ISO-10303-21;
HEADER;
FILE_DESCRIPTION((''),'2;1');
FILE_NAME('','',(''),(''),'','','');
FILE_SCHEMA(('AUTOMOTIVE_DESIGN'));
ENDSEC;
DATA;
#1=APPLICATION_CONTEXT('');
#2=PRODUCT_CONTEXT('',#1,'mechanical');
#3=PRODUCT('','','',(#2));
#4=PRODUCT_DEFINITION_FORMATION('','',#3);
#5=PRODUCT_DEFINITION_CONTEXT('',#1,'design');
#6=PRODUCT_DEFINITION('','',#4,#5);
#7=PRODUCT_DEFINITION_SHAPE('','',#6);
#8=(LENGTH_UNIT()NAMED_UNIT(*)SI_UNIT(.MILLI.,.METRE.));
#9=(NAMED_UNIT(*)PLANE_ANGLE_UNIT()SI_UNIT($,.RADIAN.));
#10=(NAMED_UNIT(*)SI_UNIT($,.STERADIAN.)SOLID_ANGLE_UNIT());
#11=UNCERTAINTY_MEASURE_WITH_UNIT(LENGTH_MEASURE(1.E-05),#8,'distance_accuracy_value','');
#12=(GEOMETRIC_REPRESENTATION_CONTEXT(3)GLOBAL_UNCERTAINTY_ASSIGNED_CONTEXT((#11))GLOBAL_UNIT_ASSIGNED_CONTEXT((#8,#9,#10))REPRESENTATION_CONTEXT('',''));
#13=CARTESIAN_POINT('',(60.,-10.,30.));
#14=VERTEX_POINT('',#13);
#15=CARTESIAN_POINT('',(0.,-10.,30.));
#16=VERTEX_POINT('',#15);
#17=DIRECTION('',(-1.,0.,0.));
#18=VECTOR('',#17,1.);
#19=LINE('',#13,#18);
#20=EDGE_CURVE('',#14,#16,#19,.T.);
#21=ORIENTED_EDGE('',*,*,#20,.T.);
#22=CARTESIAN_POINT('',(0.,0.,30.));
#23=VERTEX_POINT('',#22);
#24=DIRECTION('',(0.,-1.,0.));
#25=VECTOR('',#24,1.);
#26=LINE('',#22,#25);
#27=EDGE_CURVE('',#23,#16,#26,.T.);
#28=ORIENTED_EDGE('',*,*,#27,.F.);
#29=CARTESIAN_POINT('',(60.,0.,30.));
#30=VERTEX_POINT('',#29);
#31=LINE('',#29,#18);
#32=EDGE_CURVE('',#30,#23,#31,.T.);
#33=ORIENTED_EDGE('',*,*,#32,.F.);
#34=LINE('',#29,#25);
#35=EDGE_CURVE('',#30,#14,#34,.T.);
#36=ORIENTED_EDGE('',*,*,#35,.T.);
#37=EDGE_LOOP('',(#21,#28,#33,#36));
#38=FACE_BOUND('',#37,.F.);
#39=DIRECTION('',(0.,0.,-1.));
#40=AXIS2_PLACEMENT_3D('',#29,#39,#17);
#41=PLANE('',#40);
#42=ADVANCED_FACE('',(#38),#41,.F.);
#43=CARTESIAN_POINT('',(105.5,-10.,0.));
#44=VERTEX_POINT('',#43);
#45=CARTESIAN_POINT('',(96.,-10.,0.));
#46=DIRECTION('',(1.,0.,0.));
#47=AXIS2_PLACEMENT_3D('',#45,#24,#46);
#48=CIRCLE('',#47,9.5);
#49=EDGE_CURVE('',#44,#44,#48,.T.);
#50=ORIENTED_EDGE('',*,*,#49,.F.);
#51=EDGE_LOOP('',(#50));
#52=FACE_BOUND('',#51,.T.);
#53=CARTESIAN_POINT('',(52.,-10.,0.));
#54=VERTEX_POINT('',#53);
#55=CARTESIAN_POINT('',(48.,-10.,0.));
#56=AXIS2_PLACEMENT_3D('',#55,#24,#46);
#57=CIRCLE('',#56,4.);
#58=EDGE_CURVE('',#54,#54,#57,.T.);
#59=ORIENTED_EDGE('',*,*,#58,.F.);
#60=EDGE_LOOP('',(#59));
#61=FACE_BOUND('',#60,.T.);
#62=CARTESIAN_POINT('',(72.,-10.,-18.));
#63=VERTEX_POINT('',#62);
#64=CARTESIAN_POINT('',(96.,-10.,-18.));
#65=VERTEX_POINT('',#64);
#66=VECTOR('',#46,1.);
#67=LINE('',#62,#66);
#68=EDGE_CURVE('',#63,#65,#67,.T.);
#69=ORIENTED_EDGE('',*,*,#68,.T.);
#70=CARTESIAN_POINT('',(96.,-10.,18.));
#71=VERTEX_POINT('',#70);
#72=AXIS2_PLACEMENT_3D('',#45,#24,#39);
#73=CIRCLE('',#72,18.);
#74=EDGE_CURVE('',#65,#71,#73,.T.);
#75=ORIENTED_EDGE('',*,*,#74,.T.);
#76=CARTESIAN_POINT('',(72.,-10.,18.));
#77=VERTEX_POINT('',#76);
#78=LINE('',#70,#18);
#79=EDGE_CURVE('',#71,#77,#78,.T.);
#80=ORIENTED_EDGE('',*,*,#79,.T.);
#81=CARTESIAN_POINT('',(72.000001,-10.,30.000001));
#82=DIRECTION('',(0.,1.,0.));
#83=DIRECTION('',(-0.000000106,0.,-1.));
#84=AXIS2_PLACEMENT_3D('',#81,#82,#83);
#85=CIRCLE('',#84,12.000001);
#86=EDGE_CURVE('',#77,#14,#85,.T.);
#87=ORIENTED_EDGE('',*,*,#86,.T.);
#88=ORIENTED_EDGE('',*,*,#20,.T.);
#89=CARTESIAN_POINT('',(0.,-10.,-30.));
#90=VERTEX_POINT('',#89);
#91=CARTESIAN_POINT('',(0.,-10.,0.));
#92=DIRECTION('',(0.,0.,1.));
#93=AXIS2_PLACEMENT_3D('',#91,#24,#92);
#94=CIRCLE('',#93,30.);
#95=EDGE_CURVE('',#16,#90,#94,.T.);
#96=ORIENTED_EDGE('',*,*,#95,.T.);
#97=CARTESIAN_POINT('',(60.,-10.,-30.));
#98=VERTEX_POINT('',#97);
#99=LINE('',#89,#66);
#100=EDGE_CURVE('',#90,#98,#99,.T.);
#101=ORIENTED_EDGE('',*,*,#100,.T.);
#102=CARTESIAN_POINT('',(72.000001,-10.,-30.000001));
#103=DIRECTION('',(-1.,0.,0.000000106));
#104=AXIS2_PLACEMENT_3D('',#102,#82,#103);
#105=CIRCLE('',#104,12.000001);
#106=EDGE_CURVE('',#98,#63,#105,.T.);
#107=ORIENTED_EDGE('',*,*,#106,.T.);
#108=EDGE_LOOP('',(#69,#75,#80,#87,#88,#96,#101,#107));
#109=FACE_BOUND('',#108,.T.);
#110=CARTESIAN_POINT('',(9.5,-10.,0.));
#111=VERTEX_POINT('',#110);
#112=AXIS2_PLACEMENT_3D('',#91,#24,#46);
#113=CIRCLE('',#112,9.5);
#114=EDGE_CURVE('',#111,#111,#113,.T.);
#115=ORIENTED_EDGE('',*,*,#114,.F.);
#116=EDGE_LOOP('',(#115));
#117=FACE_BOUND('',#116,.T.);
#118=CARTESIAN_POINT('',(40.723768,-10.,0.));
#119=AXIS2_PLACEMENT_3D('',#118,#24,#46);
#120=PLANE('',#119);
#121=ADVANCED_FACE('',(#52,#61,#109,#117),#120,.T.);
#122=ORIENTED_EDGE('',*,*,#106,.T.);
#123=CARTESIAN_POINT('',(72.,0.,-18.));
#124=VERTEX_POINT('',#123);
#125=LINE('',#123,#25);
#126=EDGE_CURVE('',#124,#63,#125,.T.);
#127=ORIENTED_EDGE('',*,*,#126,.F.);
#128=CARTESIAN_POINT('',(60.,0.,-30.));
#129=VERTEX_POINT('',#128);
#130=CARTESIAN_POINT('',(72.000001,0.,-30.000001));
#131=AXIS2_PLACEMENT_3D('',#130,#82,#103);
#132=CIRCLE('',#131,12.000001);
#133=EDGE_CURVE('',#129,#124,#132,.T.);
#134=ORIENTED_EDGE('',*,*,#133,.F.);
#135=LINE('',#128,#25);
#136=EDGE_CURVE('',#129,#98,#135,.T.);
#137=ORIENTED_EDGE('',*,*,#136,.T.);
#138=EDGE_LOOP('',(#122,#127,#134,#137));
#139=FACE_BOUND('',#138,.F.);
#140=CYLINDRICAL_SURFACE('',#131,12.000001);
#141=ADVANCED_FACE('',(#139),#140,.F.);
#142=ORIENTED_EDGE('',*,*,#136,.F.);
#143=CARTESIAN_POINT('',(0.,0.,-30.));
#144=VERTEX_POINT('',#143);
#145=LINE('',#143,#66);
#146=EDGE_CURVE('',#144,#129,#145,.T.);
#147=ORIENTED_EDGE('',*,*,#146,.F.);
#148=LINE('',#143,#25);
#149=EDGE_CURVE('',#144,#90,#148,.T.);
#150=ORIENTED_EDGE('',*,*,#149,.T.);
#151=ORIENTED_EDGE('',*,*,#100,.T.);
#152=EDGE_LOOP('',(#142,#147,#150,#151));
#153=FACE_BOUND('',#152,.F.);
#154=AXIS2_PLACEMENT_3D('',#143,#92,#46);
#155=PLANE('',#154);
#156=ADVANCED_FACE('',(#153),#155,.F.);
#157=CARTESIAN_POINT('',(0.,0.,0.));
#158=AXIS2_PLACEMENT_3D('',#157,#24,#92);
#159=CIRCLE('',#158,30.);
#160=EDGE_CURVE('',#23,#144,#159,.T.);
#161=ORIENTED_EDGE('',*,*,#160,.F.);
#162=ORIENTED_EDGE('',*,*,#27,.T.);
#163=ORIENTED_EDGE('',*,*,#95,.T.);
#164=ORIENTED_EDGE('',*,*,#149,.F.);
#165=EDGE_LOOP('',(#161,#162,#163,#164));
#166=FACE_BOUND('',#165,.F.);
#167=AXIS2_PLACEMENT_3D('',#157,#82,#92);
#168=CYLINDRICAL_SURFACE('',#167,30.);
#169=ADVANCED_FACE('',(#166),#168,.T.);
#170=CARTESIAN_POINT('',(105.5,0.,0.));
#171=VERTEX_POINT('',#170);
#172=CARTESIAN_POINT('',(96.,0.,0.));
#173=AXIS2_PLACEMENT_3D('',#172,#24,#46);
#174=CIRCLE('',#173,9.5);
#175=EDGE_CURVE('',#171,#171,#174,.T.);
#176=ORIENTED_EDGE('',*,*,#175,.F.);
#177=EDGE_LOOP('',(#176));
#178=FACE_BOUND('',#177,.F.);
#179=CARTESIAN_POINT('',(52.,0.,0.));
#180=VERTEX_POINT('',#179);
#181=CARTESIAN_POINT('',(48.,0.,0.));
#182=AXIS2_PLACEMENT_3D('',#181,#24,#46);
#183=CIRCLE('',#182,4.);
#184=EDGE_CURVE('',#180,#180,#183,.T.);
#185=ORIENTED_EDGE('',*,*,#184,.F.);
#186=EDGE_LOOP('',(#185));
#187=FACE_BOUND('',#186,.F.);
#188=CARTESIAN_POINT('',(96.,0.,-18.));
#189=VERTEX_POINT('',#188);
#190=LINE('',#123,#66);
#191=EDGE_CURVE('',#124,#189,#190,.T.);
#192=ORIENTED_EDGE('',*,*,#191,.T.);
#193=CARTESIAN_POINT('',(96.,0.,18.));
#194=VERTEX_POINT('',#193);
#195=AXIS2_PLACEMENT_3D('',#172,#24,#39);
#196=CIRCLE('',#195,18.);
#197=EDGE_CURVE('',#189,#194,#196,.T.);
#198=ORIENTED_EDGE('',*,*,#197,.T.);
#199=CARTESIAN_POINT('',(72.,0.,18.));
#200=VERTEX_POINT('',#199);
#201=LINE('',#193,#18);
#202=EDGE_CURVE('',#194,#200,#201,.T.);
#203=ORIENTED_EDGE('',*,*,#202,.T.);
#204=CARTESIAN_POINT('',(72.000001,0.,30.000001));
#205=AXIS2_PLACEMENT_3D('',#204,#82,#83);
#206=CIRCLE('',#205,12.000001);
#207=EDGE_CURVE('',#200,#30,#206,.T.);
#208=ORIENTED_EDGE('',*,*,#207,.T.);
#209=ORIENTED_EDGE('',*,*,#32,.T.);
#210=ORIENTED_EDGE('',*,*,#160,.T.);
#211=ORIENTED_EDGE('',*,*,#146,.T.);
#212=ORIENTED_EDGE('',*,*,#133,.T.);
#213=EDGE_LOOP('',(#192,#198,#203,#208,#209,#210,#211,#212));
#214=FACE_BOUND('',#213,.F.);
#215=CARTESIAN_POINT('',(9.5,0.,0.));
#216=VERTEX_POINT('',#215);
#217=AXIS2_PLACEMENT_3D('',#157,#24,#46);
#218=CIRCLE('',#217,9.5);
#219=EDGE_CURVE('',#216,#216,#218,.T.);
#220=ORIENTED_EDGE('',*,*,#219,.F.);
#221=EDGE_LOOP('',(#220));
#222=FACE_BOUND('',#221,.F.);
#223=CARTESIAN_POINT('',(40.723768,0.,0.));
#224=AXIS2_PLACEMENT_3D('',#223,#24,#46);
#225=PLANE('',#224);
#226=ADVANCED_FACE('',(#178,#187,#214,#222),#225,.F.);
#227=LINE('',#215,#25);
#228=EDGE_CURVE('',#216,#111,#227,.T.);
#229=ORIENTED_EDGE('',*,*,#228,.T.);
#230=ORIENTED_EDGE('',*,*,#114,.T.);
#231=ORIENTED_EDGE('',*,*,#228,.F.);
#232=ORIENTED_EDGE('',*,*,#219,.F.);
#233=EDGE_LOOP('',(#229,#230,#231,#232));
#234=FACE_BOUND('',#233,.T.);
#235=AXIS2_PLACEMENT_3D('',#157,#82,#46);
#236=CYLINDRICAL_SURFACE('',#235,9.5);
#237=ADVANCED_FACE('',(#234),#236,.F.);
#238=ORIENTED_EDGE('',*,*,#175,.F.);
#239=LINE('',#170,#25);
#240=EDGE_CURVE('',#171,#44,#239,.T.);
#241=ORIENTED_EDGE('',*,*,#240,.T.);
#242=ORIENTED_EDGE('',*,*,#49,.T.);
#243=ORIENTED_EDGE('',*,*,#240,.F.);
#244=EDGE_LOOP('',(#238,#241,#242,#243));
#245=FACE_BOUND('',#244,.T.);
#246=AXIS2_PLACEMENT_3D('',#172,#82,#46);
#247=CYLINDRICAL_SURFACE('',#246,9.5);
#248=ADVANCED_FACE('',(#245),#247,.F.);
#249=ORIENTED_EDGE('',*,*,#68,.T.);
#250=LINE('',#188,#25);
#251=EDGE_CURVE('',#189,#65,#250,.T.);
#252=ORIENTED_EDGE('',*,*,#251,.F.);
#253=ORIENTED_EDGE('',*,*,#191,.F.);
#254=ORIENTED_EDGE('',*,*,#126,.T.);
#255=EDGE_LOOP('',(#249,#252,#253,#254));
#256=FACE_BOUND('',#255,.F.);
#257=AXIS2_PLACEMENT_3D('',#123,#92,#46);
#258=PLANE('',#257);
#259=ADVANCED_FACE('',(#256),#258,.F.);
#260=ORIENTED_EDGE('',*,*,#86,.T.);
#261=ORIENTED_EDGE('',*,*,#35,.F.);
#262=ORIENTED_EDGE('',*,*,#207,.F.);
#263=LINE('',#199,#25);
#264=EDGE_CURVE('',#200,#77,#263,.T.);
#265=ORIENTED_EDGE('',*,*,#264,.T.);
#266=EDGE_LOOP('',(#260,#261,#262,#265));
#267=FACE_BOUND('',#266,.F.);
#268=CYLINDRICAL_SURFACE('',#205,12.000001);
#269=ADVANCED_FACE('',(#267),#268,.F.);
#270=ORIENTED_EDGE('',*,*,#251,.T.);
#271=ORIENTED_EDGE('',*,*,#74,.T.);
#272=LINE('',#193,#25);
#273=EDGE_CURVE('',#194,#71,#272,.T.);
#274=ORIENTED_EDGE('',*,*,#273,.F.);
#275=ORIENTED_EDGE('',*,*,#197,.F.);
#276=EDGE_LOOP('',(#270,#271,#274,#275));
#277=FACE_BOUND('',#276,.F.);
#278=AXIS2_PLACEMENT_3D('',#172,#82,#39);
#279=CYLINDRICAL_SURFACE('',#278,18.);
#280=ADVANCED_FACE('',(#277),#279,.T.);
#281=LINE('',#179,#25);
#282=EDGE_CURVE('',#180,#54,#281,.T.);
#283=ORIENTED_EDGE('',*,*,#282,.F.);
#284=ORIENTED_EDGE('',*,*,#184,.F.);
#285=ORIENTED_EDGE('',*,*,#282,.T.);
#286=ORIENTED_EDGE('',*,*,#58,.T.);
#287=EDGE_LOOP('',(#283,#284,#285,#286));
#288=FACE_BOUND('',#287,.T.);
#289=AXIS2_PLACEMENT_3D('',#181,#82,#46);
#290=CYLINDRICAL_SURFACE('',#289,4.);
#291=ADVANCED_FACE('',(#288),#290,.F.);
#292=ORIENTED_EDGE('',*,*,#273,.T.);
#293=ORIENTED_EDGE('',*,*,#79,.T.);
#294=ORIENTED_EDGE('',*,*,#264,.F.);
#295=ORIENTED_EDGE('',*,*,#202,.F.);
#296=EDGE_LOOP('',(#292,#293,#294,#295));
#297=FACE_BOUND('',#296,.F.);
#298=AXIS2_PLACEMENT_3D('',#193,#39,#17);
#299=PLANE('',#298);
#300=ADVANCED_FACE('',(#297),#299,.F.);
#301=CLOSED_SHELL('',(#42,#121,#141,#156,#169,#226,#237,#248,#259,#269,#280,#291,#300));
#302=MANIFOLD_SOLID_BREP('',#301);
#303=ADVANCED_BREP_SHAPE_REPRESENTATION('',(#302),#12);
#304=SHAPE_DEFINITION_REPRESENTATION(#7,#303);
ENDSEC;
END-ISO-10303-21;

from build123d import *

# Parameters (mm, degrees)
F0_R     = 9.5
F0_R_2   = 4
F1_DEPTH = 10


with BuildPart() as f1:
    # F0 (on Front) → F1 (new body)
    with BuildSketch(Plane.XZ):
        with BuildLine():
            Line((60, 30), (0, 30))
            ThreePointArc((0, 30), (-30, 0), (0, -30))
            Line((0, -30), (60, -30))
            ThreePointArc((60, -30), (63.514719, -21.514719), (72, -18))
            Line((72, -18), (96, -18))
            ThreePointArc((96, -18), (114, 0), (96, 18))
            Line((96, 18), (72, 18))
            ThreePointArc((72, 18), (63.514719, 21.514719), (60, 30))
        make_face()
        Circle(F0_R, mode=Mode.SUBTRACT)
        with Locations((48, 0)):
            Circle(F0_R_2, mode=Mode.SUBTRACT)
        with Locations((96, 0)):
            Circle(F0_R, mode=Mode.SUBTRACT)
    extrude(amount=F1_DEPTH)


solid = f1.part
